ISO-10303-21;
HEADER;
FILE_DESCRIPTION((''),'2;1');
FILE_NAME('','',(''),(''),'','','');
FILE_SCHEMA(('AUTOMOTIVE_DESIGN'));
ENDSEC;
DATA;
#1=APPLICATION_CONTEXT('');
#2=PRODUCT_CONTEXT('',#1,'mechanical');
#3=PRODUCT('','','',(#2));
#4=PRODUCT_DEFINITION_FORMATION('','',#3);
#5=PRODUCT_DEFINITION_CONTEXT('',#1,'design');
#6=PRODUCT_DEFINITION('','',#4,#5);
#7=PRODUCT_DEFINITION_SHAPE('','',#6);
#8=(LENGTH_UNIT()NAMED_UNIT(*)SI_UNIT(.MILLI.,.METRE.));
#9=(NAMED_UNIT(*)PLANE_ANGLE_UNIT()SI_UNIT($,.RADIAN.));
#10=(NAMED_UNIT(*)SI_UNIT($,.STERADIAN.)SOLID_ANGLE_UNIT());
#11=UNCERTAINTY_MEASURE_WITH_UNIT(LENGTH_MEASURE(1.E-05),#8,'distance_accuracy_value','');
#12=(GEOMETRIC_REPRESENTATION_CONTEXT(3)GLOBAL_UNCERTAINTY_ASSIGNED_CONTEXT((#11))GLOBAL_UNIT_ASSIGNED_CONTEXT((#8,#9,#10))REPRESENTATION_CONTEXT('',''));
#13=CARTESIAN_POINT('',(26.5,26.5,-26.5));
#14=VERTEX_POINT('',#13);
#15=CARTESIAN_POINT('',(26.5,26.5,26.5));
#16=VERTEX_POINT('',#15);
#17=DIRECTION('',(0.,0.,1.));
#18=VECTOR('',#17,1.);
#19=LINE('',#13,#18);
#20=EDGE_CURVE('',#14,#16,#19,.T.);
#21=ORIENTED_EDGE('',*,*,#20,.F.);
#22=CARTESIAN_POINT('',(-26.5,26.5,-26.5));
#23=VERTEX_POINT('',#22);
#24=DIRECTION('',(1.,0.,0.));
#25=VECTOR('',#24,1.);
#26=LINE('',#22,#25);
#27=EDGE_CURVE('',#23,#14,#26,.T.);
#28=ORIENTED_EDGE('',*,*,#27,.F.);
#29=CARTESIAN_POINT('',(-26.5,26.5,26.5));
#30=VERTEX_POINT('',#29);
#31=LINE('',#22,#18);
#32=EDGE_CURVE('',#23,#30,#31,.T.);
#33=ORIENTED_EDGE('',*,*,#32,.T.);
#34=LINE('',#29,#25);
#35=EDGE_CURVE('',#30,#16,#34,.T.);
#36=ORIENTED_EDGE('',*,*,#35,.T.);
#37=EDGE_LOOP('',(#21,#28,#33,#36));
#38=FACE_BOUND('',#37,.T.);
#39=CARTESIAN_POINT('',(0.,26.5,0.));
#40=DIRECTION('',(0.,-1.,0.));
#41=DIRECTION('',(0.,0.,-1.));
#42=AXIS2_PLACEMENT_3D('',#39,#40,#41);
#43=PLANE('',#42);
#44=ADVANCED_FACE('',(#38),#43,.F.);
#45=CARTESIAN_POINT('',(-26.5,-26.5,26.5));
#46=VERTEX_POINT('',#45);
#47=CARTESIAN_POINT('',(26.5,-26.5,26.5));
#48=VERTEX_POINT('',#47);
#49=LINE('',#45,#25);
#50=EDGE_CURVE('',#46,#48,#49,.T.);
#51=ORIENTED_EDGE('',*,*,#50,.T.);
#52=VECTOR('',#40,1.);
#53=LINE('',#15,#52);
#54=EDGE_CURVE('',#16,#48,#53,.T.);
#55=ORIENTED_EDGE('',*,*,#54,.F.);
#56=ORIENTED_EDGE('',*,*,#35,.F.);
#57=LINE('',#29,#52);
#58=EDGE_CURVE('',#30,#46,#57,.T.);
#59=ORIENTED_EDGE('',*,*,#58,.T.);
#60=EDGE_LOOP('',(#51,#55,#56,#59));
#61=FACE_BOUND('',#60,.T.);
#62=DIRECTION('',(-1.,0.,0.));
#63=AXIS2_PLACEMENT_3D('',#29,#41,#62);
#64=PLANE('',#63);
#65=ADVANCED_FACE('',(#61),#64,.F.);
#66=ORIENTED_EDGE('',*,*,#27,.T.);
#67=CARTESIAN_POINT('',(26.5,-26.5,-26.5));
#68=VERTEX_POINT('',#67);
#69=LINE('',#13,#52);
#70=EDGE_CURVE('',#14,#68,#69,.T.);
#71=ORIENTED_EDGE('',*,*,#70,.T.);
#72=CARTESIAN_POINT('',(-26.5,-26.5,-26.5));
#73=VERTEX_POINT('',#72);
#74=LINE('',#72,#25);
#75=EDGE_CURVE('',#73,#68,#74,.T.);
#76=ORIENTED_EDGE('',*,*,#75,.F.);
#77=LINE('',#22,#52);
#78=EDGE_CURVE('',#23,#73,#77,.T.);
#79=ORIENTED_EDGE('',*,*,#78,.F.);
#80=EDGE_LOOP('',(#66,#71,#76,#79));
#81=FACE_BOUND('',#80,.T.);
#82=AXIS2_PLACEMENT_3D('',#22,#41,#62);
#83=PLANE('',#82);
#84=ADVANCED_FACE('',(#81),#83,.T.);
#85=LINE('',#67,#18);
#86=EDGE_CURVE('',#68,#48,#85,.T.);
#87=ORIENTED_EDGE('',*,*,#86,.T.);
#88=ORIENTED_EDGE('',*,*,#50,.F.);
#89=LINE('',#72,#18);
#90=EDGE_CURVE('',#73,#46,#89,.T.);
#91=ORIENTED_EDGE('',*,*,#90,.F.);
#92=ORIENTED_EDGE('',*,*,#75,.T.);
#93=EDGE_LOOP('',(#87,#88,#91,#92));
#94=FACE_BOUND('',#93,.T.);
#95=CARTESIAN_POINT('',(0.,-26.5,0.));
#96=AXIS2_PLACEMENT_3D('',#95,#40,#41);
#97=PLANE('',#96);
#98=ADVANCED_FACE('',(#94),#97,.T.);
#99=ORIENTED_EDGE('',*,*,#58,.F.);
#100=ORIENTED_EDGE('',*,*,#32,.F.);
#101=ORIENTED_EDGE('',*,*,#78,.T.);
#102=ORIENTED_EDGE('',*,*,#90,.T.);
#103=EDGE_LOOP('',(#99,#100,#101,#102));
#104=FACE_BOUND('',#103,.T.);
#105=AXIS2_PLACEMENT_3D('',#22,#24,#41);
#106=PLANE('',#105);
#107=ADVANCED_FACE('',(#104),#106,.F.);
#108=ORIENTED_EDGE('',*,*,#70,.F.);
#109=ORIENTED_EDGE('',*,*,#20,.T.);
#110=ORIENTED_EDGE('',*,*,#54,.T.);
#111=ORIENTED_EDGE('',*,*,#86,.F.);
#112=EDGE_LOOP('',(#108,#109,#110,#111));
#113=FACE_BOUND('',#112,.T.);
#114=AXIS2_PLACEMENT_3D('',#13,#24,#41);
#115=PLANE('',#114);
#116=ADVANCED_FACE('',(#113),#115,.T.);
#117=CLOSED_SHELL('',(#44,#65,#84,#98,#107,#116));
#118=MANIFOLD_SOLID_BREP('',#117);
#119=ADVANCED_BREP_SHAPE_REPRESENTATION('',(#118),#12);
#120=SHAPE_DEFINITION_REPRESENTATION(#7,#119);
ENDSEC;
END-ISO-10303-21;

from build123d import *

# Parameters (mm, degrees)
SKIZZE1_W                       = 53
SKIZZE1_H                       = 53
AUFSATZ_LINEAR_AUSTRAGEN3_DEPTH = 26.5


with BuildPart() as part:
    # Skizze1 → Aufsatz-Linear austragen3 (new body, symmetric)
    with BuildSketch(Plane(origin=(0, 0, 0), x_dir=(1, 0, 0), z_dir=(0, 1, 0))):
        Rectangle(SKIZZE1_W, SKIZZE1_H)
    extrude(amount=AUFSATZ_LINEAR_AUSTRAGEN3_DEPTH, both=True)


solid = part.part
